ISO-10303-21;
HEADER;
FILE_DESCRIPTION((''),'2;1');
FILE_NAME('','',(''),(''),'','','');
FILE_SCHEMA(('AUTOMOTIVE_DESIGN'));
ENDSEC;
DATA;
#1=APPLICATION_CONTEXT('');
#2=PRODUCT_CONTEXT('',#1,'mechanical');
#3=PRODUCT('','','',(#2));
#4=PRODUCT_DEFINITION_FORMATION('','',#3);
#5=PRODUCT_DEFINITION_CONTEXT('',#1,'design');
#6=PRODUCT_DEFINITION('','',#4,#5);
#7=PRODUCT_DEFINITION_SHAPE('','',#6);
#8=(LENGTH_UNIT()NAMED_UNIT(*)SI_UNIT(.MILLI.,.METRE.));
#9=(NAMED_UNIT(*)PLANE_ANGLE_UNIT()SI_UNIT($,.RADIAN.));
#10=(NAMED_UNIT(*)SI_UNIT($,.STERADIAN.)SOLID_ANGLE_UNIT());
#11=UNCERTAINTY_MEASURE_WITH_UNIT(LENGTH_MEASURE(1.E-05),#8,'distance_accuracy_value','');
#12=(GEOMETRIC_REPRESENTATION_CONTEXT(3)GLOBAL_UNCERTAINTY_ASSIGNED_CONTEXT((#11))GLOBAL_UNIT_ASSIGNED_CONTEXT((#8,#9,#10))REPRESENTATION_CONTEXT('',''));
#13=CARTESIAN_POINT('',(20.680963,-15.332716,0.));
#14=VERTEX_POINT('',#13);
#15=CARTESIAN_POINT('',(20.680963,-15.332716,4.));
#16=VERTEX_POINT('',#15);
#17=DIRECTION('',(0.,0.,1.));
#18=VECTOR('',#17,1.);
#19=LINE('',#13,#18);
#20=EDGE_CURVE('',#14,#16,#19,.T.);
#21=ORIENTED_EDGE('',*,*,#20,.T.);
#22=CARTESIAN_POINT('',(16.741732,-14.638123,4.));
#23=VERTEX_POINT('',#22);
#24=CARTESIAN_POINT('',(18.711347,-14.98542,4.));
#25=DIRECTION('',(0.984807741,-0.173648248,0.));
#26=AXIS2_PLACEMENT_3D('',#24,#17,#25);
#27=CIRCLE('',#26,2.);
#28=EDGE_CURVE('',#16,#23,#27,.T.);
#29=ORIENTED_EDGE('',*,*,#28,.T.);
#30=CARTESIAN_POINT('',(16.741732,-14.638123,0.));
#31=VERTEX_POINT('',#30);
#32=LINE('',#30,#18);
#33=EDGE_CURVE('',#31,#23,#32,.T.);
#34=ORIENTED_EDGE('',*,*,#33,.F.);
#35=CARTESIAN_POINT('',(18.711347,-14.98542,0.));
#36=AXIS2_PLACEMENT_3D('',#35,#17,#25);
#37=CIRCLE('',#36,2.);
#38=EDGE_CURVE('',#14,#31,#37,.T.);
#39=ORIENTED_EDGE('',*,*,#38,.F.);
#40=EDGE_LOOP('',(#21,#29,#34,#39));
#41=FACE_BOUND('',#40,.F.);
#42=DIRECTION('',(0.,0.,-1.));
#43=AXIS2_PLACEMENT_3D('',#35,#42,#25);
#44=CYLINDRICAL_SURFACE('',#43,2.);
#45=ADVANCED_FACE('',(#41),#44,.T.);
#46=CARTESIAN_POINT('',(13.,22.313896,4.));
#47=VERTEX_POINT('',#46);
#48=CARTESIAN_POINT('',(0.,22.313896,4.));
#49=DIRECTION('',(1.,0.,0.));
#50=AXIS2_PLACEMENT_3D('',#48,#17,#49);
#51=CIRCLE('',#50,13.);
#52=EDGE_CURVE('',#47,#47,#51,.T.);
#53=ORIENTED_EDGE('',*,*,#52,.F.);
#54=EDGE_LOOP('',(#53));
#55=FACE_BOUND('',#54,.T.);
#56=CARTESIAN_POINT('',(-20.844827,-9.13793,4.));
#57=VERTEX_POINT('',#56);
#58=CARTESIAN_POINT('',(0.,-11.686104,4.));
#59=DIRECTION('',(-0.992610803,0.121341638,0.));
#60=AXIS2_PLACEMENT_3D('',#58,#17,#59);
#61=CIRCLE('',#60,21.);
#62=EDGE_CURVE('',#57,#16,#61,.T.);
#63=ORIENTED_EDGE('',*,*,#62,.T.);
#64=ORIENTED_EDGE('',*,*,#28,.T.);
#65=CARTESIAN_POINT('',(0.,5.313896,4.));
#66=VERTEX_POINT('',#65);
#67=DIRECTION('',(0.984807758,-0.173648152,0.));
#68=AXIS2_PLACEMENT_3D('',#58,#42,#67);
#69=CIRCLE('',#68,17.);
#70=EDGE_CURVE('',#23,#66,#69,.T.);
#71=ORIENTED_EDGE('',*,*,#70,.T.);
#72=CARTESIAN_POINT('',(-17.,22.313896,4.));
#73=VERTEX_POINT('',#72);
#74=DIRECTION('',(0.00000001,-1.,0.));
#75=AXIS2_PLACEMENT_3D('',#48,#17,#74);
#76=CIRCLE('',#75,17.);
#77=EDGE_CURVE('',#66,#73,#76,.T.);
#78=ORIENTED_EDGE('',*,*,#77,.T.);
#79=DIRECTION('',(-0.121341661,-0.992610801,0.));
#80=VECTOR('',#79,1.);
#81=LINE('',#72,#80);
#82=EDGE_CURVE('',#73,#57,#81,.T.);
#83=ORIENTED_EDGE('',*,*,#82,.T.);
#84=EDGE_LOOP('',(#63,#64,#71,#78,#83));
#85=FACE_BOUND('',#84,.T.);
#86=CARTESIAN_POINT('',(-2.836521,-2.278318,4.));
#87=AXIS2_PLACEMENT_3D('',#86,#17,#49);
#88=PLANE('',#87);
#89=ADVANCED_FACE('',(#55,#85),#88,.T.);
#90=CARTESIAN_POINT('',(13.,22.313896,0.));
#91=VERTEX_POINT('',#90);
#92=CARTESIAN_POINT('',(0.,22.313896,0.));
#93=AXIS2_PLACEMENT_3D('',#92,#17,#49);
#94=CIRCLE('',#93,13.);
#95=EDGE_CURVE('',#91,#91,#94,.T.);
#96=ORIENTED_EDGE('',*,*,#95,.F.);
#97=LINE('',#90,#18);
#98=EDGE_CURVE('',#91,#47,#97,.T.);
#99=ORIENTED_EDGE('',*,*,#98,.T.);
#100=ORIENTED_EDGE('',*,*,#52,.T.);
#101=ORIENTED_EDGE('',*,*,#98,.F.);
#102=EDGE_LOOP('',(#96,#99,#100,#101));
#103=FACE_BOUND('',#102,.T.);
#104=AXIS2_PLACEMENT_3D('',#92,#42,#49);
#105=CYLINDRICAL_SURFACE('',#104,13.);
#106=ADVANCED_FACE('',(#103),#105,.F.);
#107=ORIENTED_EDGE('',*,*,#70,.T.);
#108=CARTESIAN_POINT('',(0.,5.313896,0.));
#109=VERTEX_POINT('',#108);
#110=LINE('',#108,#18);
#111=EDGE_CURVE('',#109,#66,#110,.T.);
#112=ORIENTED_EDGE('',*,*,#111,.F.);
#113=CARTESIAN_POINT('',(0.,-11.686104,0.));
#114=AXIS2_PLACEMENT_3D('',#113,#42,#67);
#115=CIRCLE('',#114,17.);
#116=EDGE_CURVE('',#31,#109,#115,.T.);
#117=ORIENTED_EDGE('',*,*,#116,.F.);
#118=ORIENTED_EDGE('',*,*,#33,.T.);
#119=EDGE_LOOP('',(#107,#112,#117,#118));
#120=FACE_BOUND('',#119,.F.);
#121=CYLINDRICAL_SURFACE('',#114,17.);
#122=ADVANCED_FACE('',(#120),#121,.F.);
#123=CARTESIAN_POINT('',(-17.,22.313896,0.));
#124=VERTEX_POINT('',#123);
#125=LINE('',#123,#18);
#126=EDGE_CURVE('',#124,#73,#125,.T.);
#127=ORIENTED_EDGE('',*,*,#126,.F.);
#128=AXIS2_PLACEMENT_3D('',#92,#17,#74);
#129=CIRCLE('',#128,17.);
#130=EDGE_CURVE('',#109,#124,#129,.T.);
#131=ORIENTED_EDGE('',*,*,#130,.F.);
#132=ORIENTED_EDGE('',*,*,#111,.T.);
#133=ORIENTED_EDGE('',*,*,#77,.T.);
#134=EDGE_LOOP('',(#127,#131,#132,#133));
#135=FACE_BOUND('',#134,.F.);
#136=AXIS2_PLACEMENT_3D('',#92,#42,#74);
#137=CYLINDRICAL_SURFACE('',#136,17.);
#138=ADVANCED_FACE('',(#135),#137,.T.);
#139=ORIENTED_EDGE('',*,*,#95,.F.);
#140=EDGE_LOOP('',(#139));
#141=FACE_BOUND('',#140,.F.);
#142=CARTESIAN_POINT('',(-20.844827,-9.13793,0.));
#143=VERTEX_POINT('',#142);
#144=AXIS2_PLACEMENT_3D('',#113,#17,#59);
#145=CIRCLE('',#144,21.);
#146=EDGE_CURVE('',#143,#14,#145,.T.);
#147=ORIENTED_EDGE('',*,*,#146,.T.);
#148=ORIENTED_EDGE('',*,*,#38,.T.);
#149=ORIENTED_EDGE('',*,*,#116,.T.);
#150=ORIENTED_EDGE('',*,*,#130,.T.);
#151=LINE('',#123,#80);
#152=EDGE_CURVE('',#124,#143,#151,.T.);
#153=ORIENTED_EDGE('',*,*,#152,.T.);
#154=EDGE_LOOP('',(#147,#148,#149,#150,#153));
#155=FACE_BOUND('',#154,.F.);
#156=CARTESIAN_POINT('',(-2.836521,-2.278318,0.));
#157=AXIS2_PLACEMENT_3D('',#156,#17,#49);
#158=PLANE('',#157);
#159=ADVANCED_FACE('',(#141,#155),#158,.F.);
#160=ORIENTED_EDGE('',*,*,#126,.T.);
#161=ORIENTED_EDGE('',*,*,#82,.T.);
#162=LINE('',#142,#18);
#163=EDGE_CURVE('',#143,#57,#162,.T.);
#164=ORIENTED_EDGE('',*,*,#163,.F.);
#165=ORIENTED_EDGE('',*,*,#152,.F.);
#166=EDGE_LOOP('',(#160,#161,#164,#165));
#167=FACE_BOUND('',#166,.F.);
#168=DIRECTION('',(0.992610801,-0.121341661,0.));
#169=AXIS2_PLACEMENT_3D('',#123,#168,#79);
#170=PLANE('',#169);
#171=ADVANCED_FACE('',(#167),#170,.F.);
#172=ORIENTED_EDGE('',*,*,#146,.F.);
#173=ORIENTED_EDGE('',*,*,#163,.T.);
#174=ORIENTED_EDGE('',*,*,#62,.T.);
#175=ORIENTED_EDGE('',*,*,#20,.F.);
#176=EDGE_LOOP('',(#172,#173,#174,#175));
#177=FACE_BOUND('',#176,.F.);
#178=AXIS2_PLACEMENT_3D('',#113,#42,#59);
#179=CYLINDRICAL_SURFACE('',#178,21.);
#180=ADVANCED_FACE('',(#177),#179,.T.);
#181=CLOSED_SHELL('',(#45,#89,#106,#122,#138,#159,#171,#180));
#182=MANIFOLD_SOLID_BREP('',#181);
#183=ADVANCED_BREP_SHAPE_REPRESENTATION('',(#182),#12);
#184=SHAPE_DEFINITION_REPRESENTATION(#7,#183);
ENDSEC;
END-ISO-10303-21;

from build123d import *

# Parameters (mm, degrees)
F0_R     = 13
F1_DEPTH = 4


with BuildPart() as f1:
    # F0 (on Top) → F1 (new body)
    with BuildSketch(Plane.XY):
        with BuildLine():
            ThreePointArc((16.741732, -14.638123), (-13.022756, -22.613494), (0, 5.313896))
            ThreePointArc((0, 5.313896), (12.020815, 34.334711), (-17, 22.313896))
            Line((-17, 22.313896), (-20.844827, -9.13793))
            ThreePointArc((-20.844827, -9.13793), (-3.098477, -32.456262), (20.680963, -15.332716))
            Line((20.680963, -15.332716), (18.711347, -14.98542))
            Line((18.711347, -14.98542), (16.741732, -14.638123))
        make_face()
        with Locations((0, 22.313896)):
            Circle(F0_R, mode=Mode.SUBTRACT)
        with BuildLine():
            ThreePointArc((20.680963, -15.332716), (19.058644, -13.015804), (16.741732, -14.638123))
            Line((16.741732, -14.638123), (18.711347, -14.98542))
            Line((18.711347, -14.98542), (20.680963, -15.332716))
        make_face()
    extrude(amount=F1_DEPTH)


solid = f1.part
